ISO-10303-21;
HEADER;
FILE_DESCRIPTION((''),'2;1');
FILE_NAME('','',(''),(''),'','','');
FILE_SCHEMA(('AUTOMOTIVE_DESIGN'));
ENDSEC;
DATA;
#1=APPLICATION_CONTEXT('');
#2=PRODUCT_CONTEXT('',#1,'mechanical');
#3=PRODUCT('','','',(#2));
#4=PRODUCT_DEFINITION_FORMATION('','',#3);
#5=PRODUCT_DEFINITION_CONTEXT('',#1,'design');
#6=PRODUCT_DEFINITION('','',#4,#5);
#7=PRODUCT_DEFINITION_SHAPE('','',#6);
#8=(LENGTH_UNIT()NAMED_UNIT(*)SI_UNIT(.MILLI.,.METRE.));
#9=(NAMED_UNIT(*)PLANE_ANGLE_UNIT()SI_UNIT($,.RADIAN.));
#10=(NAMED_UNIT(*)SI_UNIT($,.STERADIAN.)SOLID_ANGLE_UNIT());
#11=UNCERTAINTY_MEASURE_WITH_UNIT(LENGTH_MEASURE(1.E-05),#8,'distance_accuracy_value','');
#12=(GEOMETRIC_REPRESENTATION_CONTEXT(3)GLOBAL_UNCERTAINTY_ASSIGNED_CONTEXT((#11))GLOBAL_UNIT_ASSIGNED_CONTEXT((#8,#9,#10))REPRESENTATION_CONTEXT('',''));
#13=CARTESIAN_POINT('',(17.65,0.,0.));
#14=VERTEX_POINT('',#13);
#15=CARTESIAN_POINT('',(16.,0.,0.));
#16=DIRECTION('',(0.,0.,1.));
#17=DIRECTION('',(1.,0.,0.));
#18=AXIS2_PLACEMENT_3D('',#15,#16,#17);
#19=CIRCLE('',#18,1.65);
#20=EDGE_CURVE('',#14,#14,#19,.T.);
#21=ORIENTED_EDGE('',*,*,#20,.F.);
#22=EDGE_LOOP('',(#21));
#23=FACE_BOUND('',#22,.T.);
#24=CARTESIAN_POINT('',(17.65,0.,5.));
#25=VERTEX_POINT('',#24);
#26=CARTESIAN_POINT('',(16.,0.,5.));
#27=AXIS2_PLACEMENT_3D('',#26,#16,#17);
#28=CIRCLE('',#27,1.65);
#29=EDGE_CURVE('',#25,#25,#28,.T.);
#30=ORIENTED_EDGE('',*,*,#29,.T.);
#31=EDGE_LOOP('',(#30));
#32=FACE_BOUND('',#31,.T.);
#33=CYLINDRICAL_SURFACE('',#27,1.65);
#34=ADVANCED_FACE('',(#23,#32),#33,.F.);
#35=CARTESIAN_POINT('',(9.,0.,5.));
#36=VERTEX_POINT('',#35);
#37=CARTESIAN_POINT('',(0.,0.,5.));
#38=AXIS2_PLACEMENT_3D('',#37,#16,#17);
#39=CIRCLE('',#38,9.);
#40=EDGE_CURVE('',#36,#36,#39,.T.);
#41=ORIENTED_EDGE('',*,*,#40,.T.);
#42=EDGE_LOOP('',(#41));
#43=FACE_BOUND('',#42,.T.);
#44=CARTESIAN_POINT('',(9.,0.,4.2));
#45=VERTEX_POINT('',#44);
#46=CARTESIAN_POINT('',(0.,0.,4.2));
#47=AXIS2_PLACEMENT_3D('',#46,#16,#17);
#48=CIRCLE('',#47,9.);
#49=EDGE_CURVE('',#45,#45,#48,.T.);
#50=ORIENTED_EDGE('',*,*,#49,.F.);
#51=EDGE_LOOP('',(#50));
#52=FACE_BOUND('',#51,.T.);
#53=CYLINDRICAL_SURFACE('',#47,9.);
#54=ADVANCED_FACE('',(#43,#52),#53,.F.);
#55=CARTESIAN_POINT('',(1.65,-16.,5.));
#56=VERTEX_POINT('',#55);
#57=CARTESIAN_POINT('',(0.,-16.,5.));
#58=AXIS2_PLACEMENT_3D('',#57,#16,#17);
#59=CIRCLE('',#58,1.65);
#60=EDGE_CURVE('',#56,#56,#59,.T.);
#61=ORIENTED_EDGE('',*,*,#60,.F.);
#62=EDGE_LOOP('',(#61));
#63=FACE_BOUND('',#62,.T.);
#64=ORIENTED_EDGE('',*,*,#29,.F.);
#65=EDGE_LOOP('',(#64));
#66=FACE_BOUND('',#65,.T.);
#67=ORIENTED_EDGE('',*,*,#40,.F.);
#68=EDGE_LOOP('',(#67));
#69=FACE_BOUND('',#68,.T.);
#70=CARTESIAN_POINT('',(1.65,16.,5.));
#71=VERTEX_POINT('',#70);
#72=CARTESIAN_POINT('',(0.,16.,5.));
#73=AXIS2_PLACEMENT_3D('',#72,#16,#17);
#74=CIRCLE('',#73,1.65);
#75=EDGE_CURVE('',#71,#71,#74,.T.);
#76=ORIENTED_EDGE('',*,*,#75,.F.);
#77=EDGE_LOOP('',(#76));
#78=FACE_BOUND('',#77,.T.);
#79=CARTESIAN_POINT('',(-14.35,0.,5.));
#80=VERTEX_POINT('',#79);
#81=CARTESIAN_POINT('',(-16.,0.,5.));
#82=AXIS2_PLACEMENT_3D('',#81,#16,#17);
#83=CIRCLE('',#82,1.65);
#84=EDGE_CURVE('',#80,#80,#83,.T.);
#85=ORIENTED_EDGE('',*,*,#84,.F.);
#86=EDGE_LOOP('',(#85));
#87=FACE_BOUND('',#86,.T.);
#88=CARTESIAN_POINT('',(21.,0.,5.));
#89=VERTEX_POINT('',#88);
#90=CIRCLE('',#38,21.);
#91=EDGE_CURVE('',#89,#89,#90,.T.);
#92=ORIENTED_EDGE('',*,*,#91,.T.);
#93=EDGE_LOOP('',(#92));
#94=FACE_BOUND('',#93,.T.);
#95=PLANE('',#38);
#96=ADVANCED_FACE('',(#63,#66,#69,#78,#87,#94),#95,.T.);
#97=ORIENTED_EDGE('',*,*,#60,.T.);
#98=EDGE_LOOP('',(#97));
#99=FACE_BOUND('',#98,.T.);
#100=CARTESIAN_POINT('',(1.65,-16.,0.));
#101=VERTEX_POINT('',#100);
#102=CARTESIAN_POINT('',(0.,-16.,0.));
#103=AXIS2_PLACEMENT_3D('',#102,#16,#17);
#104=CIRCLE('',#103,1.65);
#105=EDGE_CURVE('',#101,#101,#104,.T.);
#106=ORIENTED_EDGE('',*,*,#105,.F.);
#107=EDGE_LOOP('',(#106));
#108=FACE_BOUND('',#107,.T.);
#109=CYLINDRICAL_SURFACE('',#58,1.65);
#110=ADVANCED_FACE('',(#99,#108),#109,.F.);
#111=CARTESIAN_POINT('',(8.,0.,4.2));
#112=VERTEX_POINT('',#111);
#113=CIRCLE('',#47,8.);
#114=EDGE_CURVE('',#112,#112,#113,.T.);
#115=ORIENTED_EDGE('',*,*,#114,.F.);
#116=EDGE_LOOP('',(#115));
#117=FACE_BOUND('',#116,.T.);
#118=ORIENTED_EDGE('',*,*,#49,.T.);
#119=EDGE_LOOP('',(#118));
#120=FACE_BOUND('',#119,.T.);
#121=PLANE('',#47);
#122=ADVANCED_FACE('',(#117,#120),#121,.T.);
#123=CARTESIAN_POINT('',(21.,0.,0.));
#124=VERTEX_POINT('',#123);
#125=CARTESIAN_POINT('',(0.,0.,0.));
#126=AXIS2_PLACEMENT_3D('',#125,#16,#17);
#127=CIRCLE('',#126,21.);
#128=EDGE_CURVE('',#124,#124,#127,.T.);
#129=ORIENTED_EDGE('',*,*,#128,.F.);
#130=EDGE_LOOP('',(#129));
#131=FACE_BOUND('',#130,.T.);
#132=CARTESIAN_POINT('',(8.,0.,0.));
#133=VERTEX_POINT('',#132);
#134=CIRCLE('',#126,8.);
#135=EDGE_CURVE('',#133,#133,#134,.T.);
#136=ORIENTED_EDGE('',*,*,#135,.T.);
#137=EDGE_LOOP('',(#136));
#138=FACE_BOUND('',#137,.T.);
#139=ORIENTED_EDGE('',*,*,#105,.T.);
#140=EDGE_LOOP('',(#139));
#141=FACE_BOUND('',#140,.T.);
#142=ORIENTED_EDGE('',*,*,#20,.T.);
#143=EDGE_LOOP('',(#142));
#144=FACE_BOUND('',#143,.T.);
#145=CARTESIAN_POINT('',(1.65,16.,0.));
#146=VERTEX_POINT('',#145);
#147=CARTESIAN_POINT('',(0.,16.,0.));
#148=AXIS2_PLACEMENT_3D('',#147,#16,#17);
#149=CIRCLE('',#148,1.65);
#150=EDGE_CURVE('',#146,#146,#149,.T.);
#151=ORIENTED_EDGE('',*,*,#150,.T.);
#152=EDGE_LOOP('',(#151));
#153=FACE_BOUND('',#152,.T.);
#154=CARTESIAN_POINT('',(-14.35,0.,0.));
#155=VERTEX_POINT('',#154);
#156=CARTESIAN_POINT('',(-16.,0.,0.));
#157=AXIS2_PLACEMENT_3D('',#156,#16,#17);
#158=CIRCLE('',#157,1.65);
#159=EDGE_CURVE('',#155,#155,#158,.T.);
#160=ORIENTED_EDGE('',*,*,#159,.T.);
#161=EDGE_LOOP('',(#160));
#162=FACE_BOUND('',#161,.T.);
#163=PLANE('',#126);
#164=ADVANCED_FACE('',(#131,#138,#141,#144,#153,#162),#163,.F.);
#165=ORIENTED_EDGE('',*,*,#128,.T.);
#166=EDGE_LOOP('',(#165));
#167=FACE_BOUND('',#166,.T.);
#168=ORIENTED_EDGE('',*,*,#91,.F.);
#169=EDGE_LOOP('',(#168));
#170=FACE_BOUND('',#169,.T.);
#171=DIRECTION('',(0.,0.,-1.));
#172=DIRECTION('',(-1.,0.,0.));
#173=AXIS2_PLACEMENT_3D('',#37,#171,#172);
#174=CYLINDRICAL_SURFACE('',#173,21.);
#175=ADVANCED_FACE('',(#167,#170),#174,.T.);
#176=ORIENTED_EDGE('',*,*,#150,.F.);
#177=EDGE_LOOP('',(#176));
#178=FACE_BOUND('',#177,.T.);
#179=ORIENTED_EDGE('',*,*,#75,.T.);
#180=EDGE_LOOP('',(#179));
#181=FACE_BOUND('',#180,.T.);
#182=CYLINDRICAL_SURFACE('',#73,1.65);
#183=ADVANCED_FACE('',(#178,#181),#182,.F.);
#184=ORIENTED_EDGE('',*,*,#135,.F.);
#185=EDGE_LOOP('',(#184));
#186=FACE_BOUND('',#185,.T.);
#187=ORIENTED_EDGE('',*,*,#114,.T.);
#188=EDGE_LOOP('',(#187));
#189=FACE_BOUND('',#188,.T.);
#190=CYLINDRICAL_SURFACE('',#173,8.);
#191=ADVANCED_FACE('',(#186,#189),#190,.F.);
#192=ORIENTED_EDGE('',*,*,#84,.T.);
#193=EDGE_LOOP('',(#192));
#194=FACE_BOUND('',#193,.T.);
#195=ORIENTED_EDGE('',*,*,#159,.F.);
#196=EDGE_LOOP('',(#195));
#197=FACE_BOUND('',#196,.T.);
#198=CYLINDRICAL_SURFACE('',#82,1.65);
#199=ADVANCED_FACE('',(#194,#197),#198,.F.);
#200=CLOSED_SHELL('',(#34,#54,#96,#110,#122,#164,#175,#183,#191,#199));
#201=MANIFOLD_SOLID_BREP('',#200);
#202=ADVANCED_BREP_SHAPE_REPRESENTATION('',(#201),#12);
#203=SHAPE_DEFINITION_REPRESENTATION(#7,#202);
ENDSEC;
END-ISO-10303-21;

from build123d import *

# Parameters (mm, degrees)
SKETCH_1_R          = 21
SKETCH_1_R_2        = 8
EXTRUDE_1_DEPTH     = 5
M4X0_71_D           = 3.3
SKETCH_4_R          = 9
CUT_EXTRUDE_1_DEPTH = 0.8


with BuildPart() as part:
    # Эскиз1 → Бобышка-Вытянуть1 (new body)
    with BuildSketch(Plane.XY):
        Circle(SKETCH_1_R)
        Circle(SKETCH_1_R_2, mode=Mode.SUBTRACT)
    extrude(amount=EXTRUDE_1_DEPTH)

    # Отверстие обработанное метчиком M4x0.71 (through all)
    with Locations(Plane.XY.offset(5)):
        with Locations((0, 16), (-16, 0), (0, -16), (16, 0)):
            Hole(M4X0_71_D / 2)

    # Эскиз4 → Вырез-Вытянуть1 (cut)
    with BuildSketch(Plane.XY.offset(5)):
        Circle(SKETCH_4_R)
    extrude(amount=-CUT_EXTRUDE_1_DEPTH, mode=Mode.SUBTRACT)


solid = part.part
